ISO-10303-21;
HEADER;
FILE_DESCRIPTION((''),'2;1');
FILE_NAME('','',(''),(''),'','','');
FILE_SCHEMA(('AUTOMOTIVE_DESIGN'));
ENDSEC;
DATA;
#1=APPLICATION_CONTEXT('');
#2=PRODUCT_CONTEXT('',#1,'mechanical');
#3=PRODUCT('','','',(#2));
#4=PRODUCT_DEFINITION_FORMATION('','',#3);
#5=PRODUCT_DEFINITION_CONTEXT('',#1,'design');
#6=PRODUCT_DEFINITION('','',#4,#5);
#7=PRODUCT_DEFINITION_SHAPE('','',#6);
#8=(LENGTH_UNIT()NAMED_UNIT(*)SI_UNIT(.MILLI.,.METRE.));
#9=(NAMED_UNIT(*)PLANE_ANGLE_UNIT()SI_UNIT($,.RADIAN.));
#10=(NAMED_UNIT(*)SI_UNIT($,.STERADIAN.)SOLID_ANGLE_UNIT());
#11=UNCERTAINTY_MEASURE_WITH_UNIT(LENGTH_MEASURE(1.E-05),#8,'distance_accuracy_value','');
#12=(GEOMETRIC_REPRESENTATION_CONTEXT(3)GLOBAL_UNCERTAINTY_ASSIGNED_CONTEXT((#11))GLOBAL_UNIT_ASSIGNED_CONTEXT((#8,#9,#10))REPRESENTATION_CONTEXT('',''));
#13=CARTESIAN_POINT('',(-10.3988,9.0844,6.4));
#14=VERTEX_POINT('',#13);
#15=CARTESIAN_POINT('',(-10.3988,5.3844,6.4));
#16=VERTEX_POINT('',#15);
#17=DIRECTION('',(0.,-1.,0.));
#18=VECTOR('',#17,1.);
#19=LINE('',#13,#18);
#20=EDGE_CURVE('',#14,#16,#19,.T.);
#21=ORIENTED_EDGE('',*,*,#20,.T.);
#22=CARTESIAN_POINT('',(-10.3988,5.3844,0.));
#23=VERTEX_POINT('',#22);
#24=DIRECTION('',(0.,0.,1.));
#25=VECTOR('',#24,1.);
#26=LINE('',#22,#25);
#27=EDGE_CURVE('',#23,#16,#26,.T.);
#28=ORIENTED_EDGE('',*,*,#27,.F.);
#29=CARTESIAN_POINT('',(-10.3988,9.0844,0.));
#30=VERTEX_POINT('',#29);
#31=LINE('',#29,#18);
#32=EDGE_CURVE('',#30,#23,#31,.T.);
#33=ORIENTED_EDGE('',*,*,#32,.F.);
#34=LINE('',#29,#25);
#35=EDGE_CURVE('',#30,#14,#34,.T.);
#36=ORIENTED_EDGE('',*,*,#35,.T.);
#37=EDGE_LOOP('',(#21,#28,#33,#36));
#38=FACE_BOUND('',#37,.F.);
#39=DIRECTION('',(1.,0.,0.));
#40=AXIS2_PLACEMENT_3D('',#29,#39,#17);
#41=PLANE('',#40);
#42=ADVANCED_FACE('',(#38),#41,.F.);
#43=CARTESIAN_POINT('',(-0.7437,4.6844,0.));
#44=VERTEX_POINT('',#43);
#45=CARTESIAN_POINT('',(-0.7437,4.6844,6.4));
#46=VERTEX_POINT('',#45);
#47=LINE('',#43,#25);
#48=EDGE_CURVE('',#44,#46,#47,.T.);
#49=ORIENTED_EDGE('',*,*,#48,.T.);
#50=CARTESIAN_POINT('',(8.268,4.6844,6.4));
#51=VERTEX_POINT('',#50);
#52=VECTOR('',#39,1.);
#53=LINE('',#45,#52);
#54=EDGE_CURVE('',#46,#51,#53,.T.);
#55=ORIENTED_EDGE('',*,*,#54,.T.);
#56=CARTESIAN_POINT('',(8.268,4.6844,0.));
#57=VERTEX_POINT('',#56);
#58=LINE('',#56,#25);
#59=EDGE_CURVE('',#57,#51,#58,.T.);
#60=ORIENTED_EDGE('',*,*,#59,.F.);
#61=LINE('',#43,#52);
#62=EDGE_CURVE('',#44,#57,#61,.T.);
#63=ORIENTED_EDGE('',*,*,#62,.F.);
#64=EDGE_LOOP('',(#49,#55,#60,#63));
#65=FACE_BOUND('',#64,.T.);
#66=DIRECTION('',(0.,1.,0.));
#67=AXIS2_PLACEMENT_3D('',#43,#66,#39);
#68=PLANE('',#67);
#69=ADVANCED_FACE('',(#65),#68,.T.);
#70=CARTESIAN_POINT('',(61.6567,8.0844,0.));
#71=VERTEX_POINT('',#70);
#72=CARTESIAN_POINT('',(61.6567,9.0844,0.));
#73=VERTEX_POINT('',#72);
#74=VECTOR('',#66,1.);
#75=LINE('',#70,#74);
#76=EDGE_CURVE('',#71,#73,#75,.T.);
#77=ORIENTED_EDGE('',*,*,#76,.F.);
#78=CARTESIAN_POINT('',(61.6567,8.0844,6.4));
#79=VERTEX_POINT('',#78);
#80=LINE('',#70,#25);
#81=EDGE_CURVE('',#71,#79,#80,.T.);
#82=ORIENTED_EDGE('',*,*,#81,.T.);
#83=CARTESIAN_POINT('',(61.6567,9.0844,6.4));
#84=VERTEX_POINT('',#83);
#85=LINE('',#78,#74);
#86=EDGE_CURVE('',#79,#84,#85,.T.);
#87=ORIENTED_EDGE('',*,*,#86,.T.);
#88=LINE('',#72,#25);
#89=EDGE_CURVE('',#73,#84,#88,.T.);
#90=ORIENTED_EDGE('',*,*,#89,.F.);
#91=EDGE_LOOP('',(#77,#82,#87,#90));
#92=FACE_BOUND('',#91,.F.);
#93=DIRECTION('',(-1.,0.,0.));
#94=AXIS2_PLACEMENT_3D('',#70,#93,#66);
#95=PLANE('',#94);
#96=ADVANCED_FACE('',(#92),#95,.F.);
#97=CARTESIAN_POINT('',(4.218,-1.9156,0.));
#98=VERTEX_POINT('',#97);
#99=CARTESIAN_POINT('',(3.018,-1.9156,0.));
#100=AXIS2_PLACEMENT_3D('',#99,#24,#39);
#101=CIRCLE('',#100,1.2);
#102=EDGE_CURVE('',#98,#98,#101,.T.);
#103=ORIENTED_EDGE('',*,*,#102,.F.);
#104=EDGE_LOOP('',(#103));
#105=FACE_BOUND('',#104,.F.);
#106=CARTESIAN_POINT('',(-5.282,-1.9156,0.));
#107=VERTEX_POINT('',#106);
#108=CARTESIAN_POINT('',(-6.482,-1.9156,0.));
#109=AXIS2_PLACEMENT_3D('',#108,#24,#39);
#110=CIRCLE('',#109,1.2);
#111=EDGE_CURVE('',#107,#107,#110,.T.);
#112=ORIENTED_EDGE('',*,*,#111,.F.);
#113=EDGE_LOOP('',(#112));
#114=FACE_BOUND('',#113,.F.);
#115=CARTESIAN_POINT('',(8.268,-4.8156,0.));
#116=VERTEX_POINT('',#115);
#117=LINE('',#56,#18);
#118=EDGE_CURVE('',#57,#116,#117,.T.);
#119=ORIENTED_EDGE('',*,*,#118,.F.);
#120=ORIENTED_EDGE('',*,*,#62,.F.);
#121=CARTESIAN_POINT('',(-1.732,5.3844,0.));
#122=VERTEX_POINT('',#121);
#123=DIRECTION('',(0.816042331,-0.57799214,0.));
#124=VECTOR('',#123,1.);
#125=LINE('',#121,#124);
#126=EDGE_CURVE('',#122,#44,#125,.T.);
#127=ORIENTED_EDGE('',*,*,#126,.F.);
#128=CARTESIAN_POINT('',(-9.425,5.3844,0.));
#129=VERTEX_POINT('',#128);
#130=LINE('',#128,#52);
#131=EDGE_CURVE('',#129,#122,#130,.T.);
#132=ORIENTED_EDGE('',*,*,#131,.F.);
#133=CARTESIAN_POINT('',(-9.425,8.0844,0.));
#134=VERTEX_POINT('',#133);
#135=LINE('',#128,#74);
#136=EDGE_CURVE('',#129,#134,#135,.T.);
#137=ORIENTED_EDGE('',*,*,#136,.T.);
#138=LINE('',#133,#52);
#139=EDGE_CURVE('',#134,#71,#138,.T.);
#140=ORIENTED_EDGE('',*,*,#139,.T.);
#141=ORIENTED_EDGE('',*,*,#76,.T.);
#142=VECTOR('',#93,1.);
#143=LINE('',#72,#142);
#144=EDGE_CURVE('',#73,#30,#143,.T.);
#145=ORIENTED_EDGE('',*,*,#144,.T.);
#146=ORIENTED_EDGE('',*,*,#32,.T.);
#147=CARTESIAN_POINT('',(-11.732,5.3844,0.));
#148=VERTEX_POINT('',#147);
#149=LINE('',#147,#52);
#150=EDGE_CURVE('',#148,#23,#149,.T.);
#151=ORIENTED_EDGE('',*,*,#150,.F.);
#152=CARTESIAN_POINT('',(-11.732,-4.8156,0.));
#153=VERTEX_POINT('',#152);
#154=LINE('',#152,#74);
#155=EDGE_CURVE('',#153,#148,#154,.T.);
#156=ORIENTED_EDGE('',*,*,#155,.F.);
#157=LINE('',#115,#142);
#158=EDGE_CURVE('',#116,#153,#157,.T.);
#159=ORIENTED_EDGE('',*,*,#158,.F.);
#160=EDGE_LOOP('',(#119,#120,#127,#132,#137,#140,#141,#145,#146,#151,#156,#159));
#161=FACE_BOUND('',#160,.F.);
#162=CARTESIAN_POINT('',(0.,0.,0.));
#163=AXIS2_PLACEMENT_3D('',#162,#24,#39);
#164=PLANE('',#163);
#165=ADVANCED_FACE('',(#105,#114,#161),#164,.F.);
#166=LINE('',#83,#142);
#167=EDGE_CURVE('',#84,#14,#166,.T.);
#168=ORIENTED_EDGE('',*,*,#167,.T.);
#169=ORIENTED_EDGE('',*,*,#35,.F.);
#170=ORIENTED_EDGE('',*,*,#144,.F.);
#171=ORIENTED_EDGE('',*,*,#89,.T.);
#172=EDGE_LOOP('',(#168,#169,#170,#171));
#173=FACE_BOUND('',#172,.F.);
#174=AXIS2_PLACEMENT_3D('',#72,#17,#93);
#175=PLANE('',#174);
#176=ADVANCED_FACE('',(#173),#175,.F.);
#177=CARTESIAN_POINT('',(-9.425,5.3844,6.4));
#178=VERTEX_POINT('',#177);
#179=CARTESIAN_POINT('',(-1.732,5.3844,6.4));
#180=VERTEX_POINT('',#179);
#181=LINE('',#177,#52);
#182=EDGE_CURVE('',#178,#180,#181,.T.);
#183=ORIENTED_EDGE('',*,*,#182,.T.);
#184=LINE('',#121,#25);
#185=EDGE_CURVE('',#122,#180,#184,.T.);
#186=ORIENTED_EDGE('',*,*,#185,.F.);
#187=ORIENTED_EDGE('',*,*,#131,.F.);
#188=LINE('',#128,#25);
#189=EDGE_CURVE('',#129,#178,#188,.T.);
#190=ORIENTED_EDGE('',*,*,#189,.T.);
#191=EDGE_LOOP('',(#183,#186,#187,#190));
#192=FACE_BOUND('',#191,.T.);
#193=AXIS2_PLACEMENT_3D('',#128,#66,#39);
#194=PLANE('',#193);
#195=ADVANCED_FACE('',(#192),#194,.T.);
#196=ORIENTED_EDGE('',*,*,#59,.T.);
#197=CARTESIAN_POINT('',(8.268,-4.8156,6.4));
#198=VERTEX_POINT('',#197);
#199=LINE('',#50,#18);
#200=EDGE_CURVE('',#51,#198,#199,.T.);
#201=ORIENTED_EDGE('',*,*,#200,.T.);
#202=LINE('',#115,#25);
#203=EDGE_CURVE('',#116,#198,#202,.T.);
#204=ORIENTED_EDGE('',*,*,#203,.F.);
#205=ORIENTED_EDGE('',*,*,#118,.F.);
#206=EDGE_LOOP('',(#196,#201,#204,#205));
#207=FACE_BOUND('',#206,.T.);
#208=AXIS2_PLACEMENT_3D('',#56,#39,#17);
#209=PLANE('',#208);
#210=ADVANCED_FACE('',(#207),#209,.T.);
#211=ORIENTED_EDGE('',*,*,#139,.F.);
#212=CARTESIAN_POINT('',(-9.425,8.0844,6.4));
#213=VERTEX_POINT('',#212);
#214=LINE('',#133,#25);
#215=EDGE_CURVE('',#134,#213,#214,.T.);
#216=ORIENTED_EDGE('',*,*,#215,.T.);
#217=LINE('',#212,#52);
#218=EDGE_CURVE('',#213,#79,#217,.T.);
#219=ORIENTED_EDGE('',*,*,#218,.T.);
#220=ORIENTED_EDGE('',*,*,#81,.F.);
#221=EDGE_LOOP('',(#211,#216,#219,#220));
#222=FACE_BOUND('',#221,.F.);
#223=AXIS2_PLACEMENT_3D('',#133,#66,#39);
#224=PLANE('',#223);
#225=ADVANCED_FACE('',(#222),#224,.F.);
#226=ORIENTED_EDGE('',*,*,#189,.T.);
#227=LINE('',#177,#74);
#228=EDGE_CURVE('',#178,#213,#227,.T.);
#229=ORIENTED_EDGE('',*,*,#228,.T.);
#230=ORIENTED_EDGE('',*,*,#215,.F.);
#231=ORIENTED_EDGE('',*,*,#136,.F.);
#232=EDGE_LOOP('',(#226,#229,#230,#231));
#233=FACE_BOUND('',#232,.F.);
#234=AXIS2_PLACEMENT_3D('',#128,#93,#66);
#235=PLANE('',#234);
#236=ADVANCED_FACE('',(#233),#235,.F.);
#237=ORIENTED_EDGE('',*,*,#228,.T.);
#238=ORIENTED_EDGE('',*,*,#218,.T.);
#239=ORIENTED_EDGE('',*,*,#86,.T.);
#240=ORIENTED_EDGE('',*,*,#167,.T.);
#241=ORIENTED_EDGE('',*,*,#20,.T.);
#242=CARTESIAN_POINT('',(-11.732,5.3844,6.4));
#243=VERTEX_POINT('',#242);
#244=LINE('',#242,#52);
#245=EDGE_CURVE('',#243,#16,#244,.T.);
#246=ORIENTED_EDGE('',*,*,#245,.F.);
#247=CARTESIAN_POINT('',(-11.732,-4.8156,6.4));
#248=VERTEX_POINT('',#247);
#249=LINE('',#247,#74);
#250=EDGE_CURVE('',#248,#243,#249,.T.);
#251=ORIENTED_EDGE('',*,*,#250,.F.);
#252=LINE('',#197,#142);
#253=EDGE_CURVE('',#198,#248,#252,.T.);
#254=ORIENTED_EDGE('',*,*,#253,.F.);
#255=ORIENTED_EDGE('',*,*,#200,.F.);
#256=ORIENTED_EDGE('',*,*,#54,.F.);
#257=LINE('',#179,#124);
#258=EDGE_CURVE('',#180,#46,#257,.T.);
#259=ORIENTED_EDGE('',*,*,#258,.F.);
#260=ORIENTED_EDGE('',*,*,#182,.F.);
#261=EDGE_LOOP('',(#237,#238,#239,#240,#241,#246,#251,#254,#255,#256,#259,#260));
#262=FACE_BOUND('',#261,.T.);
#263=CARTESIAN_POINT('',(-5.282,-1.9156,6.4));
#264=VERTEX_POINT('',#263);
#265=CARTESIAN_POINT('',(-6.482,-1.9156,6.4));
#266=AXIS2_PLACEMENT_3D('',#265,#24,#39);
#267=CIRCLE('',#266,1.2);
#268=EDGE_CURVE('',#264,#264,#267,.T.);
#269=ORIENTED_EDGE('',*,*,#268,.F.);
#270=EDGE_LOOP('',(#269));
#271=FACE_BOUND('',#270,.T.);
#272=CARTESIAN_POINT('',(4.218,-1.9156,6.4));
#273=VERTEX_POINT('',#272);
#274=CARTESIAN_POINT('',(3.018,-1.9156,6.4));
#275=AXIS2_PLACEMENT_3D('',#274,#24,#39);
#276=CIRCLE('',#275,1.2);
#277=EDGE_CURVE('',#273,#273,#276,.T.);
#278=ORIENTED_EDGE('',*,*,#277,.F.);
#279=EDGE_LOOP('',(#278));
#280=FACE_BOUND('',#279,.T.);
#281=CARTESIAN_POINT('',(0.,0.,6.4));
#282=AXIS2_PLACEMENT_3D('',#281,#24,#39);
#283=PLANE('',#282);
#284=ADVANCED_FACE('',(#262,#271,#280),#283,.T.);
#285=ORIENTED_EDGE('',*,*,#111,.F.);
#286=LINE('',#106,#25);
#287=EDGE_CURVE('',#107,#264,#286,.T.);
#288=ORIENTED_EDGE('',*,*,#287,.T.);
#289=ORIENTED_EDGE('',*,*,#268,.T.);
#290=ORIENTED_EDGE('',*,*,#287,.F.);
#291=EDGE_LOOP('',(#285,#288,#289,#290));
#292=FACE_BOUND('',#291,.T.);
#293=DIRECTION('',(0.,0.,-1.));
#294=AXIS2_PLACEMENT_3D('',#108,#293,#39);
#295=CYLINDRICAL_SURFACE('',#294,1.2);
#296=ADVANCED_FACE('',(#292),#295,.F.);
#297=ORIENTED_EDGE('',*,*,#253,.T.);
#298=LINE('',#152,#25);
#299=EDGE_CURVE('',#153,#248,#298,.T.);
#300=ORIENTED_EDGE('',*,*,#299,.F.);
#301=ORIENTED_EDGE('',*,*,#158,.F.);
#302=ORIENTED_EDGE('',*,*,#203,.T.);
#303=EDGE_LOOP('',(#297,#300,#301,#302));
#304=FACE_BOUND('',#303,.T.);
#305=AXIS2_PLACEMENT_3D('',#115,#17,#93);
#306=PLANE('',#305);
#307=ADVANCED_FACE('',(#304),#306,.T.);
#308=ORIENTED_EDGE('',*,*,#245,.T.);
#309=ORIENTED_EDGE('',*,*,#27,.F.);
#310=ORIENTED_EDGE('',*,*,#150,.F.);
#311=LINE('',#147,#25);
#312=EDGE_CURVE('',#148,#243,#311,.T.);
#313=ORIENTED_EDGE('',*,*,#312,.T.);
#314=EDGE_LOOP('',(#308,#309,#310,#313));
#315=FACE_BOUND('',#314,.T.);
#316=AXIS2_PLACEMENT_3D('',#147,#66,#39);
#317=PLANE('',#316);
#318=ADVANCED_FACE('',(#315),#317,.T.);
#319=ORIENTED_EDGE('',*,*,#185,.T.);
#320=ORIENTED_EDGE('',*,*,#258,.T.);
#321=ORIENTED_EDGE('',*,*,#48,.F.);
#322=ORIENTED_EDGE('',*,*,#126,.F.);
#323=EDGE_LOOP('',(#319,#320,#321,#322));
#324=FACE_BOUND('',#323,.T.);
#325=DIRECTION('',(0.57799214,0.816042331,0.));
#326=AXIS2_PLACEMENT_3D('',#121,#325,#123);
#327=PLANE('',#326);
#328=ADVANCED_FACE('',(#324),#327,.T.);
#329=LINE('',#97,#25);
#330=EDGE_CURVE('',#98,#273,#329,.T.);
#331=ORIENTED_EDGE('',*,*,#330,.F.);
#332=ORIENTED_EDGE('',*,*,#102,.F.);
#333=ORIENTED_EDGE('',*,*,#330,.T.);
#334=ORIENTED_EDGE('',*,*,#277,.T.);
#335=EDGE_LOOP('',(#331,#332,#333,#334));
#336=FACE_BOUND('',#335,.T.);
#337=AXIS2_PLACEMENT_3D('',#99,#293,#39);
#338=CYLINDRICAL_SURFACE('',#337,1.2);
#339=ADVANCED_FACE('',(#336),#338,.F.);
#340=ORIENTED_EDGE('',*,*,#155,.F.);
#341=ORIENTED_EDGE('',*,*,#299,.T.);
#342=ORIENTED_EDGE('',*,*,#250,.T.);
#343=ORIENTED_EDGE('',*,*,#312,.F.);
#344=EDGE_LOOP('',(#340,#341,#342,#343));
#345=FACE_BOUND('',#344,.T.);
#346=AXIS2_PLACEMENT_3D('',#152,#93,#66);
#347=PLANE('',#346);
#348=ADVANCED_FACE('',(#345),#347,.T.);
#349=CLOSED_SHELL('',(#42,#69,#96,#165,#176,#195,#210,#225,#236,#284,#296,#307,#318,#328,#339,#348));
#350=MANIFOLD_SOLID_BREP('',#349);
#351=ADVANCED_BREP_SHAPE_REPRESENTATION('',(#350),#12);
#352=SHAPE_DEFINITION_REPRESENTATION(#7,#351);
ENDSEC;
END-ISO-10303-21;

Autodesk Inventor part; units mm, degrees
ref_plane "YZ Plane" through (0, 0, 0) normal (1, 0, 0) x (0, 1, 0)
ref_plane "XZ Plane" through (0, 0, 0) normal (0, 1, 0) x (-1, 0, 0)
ref_plane "XY Plane" through (0, 0, 0) normal (0, 0, 1) x (1, 0, 0)
sketch "Sketch1" plane through (0, 0, 0) normal (0, 0, 1) x (1, 0, 0)
  line L0 (8.268, 4.6844) -> (8.268, -4.8156)
  line L1 (8.268, -4.8156) -> (-11.732, -4.8156)
  line L2 (-11.732, -4.8156) -> (-11.732, 5.3844)
  circle A0 centre (-6.482, -1.9156) radius 1.2
  circle A1 centre (3.018, -1.9156) radius 1.2
  line L3 (-9.425, 5.3844) -> (-9.425, 8.0844)
  line L4 (-9.425, 8.0844) -> (61.6567, 8.0844)
  line L5 (61.6567, 8.0844) -> (61.6567, 9.0844)
  line L6 (61.6567, 9.0844) -> (-10.3988, 9.0844)
  line L7 (-10.3988, 9.0844) -> (-10.3988, 5.3844)
  line L8 (-1.732, 5.3844) -> (-0.7437, 4.6844)
  line L9 (-0.7437, 4.6844) -> (8.268, 4.6844)
  line L10 (-11.732, 5.3844) -> (-10.3988, 5.3844)
  line L11 (-9.425, 5.3844) -> (-1.732, 5.3844)
  point P0 (0, 0)
  dimension "d0" = 20
  dimension "d2" = 2.4
  dimension "d3" = 2.4
  dimension "d4" = 9.5
  dimension "d5" = 5.25
  dimension "d6" = 2.9
  dimension "d7" = 2.9
  dimension "d8" = 10
  dimension "d9" = 11
  dimension "d10" = 9.5
extrude "Extrusion1" add sketch "Sketch1" along normal blind 6.4
equation "\"d3\" = d2"
equation "\"d7\" = d6"
properties part number "switch"
